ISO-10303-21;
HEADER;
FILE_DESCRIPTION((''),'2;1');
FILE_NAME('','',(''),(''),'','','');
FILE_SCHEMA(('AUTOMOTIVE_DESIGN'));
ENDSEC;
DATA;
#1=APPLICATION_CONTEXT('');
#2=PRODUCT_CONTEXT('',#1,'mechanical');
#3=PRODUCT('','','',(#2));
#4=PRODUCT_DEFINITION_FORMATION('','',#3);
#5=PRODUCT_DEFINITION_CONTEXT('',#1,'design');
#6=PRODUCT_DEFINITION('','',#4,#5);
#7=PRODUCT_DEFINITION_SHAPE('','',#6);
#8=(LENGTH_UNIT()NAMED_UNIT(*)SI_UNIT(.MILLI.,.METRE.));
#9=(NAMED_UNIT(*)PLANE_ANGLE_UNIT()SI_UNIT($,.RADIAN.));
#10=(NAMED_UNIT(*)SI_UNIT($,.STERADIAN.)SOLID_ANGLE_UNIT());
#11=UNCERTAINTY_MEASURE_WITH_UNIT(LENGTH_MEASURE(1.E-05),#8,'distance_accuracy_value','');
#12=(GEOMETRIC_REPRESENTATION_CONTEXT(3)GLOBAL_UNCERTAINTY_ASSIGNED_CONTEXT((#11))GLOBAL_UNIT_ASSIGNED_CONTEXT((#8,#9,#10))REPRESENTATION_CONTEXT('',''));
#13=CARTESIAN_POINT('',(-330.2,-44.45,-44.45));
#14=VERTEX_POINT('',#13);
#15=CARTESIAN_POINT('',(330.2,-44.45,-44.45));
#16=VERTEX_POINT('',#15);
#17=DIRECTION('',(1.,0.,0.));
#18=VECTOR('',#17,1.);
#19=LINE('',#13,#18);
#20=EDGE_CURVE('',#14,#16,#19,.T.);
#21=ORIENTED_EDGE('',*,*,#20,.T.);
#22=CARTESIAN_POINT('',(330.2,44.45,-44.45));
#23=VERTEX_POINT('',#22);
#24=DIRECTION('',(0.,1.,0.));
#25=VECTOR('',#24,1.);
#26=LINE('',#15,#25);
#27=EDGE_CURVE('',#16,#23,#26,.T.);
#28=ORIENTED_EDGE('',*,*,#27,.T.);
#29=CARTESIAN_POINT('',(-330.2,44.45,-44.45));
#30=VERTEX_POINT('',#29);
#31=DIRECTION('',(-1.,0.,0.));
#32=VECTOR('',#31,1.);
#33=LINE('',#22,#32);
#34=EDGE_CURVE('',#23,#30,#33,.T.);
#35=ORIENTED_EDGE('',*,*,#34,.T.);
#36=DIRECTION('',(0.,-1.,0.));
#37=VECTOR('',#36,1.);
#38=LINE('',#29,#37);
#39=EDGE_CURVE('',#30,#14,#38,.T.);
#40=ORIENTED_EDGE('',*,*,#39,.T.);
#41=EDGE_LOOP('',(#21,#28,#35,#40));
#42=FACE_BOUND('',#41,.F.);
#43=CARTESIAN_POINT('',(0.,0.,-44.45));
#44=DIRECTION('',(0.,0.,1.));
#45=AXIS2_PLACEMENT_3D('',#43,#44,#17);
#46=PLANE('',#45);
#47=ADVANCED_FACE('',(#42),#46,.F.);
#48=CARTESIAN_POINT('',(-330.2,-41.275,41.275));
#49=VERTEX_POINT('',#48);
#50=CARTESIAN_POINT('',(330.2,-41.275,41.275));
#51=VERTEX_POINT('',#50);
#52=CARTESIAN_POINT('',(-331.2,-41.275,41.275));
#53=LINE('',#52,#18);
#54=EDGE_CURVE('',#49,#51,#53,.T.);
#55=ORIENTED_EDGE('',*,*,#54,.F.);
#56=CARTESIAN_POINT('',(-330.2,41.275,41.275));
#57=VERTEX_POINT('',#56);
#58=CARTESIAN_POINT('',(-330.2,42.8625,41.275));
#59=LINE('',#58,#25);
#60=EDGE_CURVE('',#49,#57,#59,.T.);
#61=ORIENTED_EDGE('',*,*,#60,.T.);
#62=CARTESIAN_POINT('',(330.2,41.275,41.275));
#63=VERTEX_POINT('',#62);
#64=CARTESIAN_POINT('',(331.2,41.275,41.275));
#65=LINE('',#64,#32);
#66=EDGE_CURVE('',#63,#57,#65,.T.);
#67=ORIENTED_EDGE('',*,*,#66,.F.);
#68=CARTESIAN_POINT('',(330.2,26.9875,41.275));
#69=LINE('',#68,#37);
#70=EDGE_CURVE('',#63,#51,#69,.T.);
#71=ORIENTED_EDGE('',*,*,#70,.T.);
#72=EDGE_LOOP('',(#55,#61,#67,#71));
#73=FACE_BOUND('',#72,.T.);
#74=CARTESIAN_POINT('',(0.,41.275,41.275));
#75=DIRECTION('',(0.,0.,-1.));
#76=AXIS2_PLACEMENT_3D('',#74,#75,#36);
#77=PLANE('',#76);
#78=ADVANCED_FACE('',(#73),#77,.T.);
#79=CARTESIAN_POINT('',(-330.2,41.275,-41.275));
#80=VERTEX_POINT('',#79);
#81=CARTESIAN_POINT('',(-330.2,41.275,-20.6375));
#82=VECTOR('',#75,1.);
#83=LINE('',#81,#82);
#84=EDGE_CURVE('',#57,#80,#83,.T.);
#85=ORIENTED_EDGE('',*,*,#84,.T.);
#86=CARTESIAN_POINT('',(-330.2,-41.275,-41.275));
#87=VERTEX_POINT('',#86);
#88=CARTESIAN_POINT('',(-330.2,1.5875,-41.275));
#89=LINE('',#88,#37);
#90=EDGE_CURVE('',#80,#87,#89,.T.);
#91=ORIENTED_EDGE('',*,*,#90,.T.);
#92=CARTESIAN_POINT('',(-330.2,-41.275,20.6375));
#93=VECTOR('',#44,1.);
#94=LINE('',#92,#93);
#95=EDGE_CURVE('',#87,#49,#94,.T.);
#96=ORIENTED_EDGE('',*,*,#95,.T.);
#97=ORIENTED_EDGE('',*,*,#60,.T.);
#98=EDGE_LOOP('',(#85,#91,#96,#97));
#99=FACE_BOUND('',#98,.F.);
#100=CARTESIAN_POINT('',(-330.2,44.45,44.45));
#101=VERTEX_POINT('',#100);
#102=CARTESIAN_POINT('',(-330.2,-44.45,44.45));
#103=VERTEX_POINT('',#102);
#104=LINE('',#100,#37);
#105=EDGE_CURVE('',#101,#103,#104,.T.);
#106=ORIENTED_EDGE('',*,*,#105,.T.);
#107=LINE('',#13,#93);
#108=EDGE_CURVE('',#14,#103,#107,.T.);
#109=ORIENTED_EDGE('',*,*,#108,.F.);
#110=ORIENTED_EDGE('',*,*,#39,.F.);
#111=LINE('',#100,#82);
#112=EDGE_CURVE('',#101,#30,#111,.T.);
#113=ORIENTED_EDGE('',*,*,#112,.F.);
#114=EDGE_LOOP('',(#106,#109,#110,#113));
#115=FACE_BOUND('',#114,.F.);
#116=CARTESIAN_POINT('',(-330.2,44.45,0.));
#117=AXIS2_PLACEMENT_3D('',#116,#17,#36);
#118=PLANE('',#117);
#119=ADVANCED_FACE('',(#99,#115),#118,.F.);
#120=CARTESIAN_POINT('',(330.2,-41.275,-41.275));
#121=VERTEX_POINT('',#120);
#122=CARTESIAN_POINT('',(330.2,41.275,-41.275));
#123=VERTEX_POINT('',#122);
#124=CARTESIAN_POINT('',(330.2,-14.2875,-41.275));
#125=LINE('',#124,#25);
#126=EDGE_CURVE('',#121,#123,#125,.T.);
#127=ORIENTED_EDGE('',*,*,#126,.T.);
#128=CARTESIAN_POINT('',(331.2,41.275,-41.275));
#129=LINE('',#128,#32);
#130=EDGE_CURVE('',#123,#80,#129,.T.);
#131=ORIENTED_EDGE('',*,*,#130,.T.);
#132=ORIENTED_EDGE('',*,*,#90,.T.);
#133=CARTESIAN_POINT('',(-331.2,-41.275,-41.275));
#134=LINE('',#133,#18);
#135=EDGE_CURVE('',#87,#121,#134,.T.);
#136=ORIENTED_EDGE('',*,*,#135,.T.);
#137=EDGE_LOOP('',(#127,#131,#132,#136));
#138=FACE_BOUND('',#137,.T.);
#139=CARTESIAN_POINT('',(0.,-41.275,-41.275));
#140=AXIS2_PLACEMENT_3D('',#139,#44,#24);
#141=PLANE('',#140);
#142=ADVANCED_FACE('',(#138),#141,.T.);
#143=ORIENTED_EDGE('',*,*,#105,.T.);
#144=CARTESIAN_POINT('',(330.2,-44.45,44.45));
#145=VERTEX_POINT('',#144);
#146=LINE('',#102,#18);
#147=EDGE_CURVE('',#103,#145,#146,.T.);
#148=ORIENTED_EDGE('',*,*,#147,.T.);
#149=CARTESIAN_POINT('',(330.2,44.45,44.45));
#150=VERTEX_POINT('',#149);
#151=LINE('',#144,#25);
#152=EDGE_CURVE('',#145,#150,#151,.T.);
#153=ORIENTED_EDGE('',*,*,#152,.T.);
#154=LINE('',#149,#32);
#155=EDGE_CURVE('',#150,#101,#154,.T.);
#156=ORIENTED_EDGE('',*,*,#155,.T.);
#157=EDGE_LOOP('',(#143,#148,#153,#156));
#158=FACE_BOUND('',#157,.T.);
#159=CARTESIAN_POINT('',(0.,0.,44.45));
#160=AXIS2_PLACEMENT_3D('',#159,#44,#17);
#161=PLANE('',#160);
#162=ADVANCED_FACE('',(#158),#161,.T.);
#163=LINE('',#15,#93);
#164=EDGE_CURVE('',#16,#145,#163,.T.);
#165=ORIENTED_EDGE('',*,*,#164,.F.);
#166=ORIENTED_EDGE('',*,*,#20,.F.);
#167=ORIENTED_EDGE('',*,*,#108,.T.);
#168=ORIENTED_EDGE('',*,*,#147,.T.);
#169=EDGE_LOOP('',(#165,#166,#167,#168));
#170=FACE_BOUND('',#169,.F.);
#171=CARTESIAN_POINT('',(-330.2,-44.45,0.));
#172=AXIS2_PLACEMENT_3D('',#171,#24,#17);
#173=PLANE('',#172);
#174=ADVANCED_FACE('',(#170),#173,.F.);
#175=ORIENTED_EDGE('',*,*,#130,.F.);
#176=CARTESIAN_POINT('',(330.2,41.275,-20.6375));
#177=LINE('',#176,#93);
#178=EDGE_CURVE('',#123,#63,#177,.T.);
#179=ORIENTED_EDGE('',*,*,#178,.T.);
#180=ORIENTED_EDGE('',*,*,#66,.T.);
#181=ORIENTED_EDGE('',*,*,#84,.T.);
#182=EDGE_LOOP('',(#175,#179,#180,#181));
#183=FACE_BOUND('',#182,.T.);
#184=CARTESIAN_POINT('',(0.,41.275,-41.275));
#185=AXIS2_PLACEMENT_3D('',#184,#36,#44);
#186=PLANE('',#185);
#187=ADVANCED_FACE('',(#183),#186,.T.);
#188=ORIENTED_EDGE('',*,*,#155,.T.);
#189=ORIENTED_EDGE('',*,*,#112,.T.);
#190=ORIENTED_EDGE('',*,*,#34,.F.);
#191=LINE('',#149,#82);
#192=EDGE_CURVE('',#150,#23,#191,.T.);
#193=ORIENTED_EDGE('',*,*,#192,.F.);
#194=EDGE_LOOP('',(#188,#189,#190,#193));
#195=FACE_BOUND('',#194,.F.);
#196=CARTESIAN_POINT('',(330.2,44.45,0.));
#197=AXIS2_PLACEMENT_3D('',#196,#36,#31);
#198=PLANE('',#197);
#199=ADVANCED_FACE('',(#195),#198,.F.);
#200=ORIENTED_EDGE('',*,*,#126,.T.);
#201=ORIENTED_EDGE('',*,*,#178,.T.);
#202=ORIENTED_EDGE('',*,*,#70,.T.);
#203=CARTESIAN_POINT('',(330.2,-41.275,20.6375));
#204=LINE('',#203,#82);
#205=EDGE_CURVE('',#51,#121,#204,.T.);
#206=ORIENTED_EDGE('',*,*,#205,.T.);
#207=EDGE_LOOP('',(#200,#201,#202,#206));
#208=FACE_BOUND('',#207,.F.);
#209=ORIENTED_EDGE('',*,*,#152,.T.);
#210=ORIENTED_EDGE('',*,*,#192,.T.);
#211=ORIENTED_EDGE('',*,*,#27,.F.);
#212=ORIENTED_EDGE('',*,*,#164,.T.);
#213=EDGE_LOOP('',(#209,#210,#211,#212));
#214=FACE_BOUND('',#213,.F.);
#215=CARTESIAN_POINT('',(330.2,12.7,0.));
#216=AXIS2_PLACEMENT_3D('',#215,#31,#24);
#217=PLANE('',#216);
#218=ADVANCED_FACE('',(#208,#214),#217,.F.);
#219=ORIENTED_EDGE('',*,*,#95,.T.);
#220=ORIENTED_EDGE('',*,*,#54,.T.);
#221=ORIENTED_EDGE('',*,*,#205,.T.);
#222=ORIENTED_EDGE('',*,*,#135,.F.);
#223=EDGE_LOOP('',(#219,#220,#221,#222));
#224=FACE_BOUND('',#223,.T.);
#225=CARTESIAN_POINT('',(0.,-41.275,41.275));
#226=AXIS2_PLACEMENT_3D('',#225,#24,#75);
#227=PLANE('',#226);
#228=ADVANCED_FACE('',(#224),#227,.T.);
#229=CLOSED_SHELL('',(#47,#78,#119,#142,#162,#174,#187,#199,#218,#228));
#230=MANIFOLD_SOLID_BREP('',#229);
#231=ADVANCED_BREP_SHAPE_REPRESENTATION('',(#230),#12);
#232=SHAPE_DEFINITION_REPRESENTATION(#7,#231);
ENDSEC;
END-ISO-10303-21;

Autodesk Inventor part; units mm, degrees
ref_plane "YZ Plane" through (0, 0, 0) normal (1, 0, 0) x (0, 1, 0)
ref_plane "XZ Plane" through (0, 0, 0) normal (0, 1, 0) x (-1, 0, 0)
ref_plane "XY Plane" through (0, 0, 0) normal (0, 0, 1) x (1, 0, 0)
sketch "Sketch1" plane through (0, 0, 0) normal (0, 0, 1) x (1, 0, 0)
  line L0 (-330.2, -44.45) -> (330.2, -44.45)
  line L1 (330.2, 44.45) -> (-330.2, 44.45)
  line L2 (-330.2, 44.45) -> (-330.2, -44.45)
  line L3 (330.2, -44.45) -> (-330.2, 44.45) construction
  line L4 (88.9, 0) -> (571.5, 0) construction
  line L5 (330.2, -44.45) -> (330.2, -12.7)
  line L6 (330.2, 12.7) -> (330.2, 44.45)
  line L7 (330.2, 12.7) -> (330.2, -12.7)
  line L8 (-330.2, -44.45) -> (82.8171, 11.1485) construction
  line L9 (94.3429, 12.7) -> (330.2, 44.45) construction
  point P0 (0, 0)
  point P1 (330.2, 0)
  point P2 (76.2, 0)
  dimension "d0" = 88.9
  dimension "d1" = 660.4
extrude "Extrusion2" add sketch "Sketch1" along normal mid plane 88.9
sketch "Sketch2" plane through (0, 0, 0) normal (1, 0, 0) x (0, 1, 0)
  line L0 (-41.275, 41.275) -> (-41.275, -41.275)
  line L1 (-41.275, -41.275) -> (41.275, -41.275)
  line L2 (41.275, -41.275) -> (41.275, 41.275)
  line L3 (41.275, 41.275) -> (-41.275, 41.275)
  line L4 (-41.275, 41.275) -> (41.275, -41.275) construction
  line L5 (-41.275, -41.275) -> (41.275, 41.275) construction
  line L6 (44.45, -44.45) -> (44.45, 44.45) projected
  line L7 (44.45, 44.45) -> (-44.45, 44.45) projected
  point P0 (0, 0)
  dimension "d10" = 3.175
  dimension "d11" = 3.175
extrude "Extrusion3" cut sketch "Sketch2" along normal through all both and the other way through all
properties part number "CatapultArmExtensionForFront" material "Aluminum 6061"
